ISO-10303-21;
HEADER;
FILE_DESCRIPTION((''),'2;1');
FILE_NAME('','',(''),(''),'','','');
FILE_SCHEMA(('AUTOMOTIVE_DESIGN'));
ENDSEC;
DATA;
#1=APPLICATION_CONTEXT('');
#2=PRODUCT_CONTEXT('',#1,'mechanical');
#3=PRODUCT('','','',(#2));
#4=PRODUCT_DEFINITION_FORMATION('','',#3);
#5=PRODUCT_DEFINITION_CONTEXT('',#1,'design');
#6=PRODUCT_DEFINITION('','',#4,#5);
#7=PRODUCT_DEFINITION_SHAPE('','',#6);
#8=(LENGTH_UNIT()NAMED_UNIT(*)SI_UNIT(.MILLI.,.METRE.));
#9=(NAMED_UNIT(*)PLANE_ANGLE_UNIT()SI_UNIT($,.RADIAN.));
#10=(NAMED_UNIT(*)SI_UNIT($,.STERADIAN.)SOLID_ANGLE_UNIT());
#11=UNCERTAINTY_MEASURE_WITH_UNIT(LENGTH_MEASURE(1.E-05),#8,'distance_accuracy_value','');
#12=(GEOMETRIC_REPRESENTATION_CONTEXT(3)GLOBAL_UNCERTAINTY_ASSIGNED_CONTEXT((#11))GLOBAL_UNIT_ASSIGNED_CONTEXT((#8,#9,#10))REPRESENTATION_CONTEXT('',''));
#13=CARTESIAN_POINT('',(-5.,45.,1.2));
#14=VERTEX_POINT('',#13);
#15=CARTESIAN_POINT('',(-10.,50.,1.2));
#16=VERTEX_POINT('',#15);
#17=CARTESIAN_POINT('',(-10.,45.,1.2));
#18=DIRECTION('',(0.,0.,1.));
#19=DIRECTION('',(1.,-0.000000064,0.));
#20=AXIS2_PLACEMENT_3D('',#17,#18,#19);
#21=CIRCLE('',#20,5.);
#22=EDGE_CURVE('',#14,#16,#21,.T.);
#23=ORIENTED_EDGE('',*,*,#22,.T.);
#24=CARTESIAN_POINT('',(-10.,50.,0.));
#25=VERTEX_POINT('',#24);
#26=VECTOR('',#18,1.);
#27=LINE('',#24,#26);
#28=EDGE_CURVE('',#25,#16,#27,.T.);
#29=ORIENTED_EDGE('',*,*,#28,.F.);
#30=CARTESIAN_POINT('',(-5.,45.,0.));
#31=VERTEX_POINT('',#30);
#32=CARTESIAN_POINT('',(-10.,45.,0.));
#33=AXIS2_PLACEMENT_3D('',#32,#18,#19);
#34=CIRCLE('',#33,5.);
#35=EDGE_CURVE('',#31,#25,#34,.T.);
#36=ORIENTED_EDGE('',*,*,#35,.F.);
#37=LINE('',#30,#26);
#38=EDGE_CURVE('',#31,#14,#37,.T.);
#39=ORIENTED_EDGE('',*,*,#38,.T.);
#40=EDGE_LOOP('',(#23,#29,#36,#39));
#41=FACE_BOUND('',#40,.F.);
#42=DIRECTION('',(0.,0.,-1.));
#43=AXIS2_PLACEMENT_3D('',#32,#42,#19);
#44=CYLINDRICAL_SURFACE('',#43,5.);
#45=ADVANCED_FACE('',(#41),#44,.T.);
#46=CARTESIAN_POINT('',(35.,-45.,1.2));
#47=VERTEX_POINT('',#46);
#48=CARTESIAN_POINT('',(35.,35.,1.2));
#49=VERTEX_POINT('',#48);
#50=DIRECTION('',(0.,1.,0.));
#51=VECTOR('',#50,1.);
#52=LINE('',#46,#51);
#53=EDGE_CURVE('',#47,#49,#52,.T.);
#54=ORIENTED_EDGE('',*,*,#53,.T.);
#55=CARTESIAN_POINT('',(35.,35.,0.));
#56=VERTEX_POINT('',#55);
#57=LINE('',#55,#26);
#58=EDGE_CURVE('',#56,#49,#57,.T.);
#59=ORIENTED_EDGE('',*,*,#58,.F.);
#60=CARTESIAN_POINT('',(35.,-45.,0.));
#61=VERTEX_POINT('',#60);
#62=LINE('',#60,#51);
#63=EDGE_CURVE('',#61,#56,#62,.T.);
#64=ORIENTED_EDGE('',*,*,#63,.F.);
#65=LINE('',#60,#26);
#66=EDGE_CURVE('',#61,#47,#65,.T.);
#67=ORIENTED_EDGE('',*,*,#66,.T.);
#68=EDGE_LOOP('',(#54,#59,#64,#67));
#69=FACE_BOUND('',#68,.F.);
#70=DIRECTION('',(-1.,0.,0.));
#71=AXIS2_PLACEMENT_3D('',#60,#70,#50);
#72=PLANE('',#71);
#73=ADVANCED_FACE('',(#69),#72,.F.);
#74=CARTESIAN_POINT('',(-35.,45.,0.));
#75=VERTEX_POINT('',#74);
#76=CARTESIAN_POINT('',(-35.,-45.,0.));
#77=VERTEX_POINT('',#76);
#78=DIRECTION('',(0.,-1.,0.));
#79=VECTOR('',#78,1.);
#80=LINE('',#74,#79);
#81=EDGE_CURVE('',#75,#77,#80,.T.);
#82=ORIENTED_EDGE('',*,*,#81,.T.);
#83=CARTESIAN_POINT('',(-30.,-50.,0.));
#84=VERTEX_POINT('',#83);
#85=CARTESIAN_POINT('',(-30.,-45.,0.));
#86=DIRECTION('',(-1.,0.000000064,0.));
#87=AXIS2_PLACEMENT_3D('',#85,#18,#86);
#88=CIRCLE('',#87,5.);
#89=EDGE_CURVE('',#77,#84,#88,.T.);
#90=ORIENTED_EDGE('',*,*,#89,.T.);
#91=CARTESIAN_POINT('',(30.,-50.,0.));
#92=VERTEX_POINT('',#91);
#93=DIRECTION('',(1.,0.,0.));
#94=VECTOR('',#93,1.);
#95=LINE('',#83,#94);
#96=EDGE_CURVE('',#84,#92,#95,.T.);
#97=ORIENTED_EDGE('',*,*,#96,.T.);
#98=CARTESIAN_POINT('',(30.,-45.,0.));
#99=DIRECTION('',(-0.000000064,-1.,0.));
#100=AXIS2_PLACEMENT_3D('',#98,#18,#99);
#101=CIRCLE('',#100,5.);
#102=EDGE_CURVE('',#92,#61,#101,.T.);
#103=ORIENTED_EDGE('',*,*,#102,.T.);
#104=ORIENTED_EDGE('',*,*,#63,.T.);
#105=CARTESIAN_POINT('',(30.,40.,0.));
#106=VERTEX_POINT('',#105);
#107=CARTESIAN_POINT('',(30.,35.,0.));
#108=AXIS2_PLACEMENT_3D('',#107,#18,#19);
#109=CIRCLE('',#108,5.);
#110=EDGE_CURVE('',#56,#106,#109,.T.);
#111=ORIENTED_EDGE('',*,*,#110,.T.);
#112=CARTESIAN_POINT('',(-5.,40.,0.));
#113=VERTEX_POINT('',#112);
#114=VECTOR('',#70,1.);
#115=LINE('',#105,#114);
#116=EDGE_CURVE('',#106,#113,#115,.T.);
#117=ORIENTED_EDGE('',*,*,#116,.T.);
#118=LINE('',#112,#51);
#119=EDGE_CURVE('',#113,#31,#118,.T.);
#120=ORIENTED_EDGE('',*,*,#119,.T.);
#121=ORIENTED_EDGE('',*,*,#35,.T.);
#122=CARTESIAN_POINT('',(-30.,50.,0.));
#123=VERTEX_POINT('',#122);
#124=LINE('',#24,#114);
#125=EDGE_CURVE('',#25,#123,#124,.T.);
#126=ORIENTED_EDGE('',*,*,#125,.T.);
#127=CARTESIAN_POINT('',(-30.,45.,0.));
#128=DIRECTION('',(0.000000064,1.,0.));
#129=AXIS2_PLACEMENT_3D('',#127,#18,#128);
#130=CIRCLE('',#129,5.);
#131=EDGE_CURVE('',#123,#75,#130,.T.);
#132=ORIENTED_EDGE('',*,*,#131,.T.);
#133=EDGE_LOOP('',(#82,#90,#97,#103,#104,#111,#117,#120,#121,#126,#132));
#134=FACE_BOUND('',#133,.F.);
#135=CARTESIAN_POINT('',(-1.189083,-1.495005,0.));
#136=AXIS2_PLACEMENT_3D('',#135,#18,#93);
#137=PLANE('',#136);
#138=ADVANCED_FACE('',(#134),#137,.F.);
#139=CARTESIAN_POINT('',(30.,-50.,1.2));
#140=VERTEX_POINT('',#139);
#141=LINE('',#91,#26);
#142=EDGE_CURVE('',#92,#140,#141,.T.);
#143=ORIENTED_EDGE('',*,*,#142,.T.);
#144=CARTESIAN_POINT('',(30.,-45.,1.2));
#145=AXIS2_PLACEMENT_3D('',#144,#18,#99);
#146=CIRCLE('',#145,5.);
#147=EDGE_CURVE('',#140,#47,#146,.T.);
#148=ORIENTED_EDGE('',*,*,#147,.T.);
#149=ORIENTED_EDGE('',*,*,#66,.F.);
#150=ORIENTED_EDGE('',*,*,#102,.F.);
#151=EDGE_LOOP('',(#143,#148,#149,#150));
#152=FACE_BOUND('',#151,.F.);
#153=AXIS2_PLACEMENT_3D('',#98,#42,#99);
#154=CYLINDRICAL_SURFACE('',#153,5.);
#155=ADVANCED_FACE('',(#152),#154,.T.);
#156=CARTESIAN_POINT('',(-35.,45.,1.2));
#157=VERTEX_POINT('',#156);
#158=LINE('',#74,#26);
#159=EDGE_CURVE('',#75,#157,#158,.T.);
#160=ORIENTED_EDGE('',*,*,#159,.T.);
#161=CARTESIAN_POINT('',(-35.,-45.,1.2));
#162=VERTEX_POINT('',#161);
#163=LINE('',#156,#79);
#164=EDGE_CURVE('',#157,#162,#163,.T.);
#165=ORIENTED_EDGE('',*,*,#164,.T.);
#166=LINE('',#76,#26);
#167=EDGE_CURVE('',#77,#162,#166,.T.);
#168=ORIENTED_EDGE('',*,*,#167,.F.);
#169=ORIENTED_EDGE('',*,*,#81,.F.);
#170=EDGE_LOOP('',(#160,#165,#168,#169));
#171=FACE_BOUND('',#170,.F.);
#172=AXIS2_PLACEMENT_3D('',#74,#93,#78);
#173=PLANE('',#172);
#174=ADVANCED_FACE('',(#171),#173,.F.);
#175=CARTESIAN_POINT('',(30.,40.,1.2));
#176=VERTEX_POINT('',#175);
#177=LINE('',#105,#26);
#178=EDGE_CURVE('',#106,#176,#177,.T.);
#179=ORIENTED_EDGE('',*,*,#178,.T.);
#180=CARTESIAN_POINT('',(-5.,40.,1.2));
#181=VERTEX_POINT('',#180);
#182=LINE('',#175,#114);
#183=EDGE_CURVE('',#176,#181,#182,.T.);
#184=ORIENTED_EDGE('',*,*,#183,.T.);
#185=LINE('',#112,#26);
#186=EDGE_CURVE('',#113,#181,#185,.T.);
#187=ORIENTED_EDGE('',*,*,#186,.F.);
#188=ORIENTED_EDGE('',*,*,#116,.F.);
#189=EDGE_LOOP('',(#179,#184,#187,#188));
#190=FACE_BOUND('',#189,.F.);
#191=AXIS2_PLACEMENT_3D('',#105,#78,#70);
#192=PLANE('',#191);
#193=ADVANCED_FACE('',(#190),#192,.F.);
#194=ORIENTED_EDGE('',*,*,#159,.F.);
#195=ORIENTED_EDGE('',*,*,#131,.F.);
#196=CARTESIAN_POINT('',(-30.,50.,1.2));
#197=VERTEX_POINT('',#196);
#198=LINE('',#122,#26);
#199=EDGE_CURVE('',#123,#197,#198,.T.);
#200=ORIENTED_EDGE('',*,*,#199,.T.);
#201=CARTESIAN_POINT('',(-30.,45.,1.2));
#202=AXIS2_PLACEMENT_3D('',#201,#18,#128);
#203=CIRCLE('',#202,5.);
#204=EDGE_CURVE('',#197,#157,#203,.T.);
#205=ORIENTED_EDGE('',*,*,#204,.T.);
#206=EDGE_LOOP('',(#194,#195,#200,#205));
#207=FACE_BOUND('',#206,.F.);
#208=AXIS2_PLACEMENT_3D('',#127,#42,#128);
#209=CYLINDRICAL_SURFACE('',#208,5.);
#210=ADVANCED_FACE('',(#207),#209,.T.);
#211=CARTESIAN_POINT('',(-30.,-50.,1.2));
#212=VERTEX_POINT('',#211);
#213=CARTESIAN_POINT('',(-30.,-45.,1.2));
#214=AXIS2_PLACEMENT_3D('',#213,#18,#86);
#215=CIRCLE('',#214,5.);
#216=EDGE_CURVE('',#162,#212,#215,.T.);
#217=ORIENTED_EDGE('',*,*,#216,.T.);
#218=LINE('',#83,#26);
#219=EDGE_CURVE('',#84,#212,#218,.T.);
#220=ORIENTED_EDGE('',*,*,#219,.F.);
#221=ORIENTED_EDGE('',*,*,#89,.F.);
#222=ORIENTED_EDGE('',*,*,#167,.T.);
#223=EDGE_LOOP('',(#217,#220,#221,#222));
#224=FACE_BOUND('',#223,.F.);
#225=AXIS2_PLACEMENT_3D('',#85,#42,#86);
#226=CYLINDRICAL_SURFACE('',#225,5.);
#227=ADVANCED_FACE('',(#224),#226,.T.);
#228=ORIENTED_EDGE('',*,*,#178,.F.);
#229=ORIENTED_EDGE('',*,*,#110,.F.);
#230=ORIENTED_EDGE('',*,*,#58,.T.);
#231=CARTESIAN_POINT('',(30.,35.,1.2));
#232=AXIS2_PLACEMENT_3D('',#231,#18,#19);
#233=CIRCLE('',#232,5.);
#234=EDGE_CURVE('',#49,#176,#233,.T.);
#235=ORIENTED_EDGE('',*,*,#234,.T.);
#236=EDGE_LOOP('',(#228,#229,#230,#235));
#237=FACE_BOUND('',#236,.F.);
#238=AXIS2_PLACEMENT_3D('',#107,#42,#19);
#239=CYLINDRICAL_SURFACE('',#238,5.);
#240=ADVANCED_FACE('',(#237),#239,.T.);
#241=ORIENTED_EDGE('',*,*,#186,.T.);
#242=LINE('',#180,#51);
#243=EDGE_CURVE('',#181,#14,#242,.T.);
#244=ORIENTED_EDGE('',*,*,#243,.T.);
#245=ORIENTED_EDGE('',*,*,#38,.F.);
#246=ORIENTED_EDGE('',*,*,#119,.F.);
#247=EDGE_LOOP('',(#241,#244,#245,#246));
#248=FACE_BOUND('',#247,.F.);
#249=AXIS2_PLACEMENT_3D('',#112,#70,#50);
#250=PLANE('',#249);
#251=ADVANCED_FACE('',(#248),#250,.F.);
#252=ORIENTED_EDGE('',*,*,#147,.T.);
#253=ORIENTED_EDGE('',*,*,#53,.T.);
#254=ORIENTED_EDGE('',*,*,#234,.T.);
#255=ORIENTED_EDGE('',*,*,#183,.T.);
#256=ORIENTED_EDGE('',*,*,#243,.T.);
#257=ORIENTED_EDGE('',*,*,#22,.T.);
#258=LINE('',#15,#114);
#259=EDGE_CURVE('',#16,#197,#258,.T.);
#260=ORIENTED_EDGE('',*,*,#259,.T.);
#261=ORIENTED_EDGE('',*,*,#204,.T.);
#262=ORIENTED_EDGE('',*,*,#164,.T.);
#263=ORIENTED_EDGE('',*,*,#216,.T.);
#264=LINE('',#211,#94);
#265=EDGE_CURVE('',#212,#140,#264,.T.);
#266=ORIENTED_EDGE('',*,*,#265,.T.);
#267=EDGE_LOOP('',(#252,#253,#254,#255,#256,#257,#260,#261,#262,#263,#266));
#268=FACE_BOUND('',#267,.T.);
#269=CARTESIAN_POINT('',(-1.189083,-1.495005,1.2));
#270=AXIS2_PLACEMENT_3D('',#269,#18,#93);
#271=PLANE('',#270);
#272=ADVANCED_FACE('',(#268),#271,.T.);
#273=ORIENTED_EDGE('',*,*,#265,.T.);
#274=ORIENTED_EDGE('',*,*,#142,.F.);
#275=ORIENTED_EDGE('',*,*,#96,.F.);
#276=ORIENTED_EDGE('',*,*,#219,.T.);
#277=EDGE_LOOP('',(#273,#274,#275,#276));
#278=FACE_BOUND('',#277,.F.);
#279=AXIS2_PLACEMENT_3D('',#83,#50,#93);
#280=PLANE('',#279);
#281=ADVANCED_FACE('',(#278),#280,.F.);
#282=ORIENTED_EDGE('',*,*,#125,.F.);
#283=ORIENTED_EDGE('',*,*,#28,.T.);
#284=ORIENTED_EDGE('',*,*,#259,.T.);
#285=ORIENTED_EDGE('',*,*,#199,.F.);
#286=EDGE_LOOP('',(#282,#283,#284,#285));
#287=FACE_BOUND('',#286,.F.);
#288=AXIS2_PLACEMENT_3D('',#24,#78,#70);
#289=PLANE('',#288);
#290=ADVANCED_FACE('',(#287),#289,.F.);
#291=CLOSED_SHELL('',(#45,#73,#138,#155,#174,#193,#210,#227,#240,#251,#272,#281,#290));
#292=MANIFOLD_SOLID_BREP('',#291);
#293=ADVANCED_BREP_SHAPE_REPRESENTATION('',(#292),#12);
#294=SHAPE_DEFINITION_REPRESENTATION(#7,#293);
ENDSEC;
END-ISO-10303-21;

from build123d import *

# Parameters (mm, degrees)
F1_DEPTH = 1.2


with BuildPart() as f1:
    # F0 (on Top) → F1 (new body)
    with BuildSketch(Plane.XY):
        with BuildLine():
            Line((-30, -50), (30, -50))
            ThreePointArc((30, -50), (33.535534, -48.535534), (35, -45))
            Line((35, -45), (35, 35))
            ThreePointArc((35, 35), (33.535534, 38.535534), (30, 40))
            Line((30, 40), (-5, 40))
            Line((-5, 40), (-5, 45))
            ThreePointArc((-5, 45), (-6.464466, 48.535534), (-10, 50))
            Line((-10, 50), (-30, 50))
            ThreePointArc((-30, 50), (-33.535534, 48.535534), (-35, 45))
            Line((-35, 45), (-35, -45))
            ThreePointArc((-35, -45), (-33.535534, -48.535534), (-30, -50))
        make_face()
    extrude(amount=F1_DEPTH)


solid = f1.part
